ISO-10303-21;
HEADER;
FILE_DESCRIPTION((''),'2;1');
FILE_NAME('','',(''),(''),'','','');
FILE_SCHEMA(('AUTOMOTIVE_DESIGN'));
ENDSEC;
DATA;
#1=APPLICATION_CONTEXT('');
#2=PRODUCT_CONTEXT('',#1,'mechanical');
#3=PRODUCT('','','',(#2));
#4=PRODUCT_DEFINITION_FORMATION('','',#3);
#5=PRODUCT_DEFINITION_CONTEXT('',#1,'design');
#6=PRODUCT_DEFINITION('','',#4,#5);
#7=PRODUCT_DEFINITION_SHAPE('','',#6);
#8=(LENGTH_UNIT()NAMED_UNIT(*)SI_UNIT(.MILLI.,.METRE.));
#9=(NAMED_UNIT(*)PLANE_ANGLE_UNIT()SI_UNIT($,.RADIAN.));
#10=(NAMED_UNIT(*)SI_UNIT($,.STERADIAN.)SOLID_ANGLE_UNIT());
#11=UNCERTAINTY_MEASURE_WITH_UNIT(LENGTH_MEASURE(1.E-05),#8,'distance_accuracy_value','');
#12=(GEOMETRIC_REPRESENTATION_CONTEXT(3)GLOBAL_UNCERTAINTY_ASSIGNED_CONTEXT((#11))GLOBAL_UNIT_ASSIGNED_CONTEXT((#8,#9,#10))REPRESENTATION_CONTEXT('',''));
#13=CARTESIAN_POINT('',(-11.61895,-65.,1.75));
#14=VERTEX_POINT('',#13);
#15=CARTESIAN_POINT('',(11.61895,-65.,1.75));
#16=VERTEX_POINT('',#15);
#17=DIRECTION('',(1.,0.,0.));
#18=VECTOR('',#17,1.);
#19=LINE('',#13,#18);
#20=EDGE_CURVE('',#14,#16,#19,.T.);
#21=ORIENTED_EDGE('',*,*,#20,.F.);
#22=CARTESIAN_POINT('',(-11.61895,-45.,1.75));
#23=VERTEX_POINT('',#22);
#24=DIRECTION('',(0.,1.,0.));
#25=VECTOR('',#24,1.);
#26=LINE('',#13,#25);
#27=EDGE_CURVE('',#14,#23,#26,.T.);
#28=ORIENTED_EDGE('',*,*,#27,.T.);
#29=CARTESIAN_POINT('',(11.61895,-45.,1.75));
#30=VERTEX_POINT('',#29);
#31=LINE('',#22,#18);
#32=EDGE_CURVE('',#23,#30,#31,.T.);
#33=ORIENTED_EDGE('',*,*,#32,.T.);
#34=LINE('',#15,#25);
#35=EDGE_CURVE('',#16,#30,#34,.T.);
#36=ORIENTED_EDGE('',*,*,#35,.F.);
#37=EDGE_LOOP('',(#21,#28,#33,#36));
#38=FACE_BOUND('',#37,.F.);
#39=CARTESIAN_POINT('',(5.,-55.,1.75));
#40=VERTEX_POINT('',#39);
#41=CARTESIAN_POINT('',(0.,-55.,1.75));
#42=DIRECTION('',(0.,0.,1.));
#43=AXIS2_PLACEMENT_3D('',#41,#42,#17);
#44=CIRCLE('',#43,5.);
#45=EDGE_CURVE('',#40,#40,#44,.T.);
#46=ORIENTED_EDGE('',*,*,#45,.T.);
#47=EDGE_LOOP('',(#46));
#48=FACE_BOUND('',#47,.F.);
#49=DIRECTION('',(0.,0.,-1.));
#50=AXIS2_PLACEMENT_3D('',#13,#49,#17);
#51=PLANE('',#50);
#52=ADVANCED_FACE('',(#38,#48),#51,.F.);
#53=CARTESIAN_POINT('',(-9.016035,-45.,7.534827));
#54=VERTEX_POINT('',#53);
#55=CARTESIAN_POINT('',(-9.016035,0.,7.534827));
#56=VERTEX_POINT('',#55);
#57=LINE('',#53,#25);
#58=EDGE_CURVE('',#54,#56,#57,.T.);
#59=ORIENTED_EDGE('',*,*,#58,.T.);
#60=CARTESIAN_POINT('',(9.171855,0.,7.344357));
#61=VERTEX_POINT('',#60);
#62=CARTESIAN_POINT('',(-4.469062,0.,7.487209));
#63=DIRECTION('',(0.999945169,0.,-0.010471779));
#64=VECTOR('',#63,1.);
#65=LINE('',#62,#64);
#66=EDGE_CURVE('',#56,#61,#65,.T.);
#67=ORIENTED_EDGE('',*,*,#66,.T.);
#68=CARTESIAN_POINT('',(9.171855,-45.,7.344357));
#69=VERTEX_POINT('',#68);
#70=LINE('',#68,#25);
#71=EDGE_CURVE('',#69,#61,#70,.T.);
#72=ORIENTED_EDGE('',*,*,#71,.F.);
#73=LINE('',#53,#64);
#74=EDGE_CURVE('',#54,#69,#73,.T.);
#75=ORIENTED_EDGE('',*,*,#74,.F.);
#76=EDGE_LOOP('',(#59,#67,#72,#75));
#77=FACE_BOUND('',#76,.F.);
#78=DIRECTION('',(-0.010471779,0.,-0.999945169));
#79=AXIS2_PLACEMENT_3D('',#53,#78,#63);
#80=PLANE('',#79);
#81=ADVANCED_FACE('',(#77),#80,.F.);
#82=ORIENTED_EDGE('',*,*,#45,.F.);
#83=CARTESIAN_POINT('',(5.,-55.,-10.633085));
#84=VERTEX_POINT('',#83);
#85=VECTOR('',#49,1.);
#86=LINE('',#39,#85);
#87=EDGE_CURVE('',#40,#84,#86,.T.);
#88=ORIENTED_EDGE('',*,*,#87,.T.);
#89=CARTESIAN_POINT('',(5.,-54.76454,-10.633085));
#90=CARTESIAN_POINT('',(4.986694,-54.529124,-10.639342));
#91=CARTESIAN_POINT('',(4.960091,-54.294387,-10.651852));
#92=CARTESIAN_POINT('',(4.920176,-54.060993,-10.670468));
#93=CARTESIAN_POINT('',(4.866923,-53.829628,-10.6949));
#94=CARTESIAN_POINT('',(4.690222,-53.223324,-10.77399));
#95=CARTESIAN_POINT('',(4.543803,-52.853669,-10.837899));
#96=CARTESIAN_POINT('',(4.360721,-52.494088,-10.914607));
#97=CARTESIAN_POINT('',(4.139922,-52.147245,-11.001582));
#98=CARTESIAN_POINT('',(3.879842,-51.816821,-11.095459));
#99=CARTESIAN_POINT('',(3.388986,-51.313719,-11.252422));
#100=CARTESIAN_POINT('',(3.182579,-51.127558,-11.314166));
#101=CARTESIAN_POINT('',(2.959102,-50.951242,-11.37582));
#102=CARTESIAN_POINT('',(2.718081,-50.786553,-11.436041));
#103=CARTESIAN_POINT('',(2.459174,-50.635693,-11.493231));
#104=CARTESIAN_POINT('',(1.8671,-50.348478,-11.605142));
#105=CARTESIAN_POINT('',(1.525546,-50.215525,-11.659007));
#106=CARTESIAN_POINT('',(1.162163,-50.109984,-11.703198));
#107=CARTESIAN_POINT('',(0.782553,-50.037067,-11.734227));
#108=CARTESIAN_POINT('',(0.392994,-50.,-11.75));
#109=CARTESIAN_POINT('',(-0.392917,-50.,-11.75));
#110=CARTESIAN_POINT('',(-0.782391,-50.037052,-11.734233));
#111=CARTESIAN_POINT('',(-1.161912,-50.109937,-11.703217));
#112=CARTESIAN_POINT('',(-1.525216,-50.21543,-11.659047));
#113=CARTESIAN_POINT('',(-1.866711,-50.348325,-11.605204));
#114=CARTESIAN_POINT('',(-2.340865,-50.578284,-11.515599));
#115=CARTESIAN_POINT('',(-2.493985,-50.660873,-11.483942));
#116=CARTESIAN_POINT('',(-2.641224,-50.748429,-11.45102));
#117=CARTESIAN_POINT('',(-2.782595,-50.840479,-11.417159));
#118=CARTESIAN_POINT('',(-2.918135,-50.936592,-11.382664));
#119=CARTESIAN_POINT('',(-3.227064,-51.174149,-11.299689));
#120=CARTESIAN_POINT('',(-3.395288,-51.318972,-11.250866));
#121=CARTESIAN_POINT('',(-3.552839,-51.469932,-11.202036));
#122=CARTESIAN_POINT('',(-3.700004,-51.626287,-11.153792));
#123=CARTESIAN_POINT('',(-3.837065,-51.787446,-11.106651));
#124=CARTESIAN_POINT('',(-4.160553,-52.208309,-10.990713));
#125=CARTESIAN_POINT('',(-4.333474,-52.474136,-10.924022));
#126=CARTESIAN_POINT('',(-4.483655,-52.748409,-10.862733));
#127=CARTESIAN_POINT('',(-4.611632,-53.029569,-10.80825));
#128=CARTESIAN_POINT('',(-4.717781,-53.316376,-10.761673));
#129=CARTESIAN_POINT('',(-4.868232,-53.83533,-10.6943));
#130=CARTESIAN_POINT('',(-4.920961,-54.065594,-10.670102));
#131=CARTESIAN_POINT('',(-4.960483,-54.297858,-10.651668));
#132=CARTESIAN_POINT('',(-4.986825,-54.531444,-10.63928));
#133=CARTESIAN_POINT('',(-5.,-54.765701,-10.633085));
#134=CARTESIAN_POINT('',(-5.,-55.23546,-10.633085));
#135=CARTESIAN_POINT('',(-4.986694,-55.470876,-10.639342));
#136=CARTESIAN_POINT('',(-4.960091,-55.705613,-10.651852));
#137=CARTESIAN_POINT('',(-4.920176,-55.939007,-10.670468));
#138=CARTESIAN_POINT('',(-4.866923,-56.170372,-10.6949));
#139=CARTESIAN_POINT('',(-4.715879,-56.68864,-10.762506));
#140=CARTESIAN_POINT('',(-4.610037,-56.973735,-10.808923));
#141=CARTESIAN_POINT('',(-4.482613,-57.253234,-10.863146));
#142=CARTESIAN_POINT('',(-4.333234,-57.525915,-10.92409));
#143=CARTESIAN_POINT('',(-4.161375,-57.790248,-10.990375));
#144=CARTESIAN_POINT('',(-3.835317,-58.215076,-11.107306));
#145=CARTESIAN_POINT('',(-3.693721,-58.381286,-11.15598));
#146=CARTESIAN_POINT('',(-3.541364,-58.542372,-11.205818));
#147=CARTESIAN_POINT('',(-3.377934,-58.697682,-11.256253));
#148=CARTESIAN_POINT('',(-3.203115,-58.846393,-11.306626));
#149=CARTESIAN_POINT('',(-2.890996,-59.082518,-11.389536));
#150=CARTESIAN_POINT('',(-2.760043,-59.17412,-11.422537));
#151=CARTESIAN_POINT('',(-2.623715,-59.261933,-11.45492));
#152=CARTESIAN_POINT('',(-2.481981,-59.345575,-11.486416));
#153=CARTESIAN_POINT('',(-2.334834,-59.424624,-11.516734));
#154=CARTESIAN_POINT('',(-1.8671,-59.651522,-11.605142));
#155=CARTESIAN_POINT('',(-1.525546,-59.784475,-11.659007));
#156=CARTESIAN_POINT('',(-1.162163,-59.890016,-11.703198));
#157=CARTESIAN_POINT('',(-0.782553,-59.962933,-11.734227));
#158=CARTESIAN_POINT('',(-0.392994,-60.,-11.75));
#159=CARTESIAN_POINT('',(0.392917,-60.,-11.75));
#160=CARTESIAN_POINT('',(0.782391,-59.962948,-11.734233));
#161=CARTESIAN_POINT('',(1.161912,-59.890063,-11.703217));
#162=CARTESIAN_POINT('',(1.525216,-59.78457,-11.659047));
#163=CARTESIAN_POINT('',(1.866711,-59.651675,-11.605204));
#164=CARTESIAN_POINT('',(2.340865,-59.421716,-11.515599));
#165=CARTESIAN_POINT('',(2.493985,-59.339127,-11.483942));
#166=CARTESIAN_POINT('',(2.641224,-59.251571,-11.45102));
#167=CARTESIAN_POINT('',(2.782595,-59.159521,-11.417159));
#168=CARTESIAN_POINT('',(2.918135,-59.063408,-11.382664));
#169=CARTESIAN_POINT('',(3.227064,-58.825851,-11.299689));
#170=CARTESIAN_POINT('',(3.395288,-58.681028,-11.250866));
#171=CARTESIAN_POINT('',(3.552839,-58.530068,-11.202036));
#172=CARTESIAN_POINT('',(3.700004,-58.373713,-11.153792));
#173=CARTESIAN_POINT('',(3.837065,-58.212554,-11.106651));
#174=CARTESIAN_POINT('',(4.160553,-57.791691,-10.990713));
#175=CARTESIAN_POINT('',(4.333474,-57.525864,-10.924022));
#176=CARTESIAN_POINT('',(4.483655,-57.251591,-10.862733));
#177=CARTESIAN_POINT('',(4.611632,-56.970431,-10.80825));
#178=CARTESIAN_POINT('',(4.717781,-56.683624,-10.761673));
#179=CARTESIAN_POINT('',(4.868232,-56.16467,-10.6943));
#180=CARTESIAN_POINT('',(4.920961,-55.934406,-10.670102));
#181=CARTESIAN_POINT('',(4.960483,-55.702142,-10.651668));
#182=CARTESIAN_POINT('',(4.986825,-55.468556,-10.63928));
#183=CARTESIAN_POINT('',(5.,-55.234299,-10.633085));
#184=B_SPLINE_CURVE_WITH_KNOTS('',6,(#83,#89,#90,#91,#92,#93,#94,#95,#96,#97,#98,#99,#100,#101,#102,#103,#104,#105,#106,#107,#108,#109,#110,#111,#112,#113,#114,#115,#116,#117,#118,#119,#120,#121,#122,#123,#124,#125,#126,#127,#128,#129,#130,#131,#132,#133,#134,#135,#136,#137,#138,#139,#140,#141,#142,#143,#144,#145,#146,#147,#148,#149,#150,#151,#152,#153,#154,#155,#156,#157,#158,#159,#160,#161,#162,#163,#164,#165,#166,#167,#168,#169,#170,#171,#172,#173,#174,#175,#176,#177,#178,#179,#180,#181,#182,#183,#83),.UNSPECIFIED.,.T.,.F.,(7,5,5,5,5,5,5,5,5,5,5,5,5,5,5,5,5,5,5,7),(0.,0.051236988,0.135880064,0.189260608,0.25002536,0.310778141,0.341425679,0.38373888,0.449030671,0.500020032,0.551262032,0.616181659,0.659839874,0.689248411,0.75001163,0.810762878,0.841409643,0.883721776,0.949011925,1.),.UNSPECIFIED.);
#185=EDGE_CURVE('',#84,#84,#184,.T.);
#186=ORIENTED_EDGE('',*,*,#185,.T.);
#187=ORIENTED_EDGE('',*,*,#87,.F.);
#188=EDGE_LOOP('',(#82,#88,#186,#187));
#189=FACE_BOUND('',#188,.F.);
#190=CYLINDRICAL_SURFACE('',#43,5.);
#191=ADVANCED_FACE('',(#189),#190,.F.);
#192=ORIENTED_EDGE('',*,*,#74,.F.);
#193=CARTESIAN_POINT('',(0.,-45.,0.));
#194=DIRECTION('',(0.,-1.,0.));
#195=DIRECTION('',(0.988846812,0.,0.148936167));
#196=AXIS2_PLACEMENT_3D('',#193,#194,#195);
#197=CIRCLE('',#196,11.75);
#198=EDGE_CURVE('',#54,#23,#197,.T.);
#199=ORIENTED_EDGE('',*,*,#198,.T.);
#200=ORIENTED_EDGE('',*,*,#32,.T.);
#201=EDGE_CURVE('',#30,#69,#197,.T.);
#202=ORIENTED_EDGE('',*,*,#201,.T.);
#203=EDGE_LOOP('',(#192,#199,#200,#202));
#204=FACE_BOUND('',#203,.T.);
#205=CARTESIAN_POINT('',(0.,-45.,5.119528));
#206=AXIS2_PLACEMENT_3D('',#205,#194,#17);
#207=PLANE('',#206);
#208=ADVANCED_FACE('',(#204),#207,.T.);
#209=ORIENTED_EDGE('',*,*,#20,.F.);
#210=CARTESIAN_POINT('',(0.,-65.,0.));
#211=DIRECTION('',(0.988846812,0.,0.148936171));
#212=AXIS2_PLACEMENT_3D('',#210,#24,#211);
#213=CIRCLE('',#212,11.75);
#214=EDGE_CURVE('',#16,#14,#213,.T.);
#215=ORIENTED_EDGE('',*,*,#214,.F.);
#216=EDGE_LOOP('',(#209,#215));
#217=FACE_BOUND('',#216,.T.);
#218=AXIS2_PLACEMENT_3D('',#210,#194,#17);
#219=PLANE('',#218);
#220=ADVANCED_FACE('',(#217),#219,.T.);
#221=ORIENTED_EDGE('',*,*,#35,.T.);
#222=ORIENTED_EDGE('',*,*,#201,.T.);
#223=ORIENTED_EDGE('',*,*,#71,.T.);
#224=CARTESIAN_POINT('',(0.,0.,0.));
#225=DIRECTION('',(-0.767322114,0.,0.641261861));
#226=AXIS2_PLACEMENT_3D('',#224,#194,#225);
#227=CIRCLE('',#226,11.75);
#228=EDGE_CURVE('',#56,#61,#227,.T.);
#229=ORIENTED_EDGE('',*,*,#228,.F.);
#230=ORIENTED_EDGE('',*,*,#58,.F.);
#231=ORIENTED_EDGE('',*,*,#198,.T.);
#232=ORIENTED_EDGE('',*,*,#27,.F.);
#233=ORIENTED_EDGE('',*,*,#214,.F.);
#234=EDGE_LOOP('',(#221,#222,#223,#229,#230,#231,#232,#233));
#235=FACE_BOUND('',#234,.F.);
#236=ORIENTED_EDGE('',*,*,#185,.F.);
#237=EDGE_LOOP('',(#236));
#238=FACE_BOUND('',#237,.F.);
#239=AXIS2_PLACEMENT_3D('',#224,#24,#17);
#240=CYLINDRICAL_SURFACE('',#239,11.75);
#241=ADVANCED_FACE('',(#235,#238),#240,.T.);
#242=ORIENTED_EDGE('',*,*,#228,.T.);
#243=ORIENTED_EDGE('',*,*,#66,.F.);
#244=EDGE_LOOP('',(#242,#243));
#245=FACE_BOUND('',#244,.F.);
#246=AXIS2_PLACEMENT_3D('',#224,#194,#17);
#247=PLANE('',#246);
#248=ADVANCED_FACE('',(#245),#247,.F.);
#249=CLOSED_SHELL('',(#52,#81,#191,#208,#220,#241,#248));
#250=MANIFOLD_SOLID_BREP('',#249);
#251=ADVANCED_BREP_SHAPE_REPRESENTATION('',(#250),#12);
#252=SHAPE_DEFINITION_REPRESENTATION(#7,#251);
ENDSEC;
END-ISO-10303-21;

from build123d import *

# Parameters (mm, degrees)
F0_R     = 11.75
F1_DEPTH = 65
F3_DEPTH = 20
F4_R     = 5
F5_DEPTH = 13.501
F7_DEPTH = 45.001


with BuildPart() as f1:
    # F0 (on Front) → F1 (new body)
    with BuildSketch(Plane.XZ):
        Circle(F0_R)
    extrude(amount=F1_DEPTH)

    # F2 (on face) → F3 (cut)
    with BuildSketch(Plane.XZ.offset(65)):
        with BuildLine():
            ThreePointArc((11.61895, 1.75), (0, 11.75), (-11.61895, 1.75))
            Line((-11.61895, 1.75), (11.61895, 1.75))
        make_face()
    extrude(amount=-F3_DEPTH, mode=Mode.SUBTRACT)

    # F4 (on face) → F5 (cut, through all)
    with BuildSketch(Plane.XY.offset(1.75)):
        with Locations((0, -55)):
            Circle(F4_R)
    extrude(amount=-F5_DEPTH, mode=Mode.SUBTRACT)

    # F6 (on face) → F7 (cut, through all)
    with BuildSketch(Plane.XZ.offset(45)):
        with BuildLine():
            Line((-9.016035, 7.534827), (9.171855, 7.344357))
            ThreePointArc((9.171855, 7.344357), (0.123043, 11.749356), (-9.016035, 7.534827))
        make_face()
    extrude(amount=-F7_DEPTH, mode=Mode.SUBTRACT)


solid = f1.part
